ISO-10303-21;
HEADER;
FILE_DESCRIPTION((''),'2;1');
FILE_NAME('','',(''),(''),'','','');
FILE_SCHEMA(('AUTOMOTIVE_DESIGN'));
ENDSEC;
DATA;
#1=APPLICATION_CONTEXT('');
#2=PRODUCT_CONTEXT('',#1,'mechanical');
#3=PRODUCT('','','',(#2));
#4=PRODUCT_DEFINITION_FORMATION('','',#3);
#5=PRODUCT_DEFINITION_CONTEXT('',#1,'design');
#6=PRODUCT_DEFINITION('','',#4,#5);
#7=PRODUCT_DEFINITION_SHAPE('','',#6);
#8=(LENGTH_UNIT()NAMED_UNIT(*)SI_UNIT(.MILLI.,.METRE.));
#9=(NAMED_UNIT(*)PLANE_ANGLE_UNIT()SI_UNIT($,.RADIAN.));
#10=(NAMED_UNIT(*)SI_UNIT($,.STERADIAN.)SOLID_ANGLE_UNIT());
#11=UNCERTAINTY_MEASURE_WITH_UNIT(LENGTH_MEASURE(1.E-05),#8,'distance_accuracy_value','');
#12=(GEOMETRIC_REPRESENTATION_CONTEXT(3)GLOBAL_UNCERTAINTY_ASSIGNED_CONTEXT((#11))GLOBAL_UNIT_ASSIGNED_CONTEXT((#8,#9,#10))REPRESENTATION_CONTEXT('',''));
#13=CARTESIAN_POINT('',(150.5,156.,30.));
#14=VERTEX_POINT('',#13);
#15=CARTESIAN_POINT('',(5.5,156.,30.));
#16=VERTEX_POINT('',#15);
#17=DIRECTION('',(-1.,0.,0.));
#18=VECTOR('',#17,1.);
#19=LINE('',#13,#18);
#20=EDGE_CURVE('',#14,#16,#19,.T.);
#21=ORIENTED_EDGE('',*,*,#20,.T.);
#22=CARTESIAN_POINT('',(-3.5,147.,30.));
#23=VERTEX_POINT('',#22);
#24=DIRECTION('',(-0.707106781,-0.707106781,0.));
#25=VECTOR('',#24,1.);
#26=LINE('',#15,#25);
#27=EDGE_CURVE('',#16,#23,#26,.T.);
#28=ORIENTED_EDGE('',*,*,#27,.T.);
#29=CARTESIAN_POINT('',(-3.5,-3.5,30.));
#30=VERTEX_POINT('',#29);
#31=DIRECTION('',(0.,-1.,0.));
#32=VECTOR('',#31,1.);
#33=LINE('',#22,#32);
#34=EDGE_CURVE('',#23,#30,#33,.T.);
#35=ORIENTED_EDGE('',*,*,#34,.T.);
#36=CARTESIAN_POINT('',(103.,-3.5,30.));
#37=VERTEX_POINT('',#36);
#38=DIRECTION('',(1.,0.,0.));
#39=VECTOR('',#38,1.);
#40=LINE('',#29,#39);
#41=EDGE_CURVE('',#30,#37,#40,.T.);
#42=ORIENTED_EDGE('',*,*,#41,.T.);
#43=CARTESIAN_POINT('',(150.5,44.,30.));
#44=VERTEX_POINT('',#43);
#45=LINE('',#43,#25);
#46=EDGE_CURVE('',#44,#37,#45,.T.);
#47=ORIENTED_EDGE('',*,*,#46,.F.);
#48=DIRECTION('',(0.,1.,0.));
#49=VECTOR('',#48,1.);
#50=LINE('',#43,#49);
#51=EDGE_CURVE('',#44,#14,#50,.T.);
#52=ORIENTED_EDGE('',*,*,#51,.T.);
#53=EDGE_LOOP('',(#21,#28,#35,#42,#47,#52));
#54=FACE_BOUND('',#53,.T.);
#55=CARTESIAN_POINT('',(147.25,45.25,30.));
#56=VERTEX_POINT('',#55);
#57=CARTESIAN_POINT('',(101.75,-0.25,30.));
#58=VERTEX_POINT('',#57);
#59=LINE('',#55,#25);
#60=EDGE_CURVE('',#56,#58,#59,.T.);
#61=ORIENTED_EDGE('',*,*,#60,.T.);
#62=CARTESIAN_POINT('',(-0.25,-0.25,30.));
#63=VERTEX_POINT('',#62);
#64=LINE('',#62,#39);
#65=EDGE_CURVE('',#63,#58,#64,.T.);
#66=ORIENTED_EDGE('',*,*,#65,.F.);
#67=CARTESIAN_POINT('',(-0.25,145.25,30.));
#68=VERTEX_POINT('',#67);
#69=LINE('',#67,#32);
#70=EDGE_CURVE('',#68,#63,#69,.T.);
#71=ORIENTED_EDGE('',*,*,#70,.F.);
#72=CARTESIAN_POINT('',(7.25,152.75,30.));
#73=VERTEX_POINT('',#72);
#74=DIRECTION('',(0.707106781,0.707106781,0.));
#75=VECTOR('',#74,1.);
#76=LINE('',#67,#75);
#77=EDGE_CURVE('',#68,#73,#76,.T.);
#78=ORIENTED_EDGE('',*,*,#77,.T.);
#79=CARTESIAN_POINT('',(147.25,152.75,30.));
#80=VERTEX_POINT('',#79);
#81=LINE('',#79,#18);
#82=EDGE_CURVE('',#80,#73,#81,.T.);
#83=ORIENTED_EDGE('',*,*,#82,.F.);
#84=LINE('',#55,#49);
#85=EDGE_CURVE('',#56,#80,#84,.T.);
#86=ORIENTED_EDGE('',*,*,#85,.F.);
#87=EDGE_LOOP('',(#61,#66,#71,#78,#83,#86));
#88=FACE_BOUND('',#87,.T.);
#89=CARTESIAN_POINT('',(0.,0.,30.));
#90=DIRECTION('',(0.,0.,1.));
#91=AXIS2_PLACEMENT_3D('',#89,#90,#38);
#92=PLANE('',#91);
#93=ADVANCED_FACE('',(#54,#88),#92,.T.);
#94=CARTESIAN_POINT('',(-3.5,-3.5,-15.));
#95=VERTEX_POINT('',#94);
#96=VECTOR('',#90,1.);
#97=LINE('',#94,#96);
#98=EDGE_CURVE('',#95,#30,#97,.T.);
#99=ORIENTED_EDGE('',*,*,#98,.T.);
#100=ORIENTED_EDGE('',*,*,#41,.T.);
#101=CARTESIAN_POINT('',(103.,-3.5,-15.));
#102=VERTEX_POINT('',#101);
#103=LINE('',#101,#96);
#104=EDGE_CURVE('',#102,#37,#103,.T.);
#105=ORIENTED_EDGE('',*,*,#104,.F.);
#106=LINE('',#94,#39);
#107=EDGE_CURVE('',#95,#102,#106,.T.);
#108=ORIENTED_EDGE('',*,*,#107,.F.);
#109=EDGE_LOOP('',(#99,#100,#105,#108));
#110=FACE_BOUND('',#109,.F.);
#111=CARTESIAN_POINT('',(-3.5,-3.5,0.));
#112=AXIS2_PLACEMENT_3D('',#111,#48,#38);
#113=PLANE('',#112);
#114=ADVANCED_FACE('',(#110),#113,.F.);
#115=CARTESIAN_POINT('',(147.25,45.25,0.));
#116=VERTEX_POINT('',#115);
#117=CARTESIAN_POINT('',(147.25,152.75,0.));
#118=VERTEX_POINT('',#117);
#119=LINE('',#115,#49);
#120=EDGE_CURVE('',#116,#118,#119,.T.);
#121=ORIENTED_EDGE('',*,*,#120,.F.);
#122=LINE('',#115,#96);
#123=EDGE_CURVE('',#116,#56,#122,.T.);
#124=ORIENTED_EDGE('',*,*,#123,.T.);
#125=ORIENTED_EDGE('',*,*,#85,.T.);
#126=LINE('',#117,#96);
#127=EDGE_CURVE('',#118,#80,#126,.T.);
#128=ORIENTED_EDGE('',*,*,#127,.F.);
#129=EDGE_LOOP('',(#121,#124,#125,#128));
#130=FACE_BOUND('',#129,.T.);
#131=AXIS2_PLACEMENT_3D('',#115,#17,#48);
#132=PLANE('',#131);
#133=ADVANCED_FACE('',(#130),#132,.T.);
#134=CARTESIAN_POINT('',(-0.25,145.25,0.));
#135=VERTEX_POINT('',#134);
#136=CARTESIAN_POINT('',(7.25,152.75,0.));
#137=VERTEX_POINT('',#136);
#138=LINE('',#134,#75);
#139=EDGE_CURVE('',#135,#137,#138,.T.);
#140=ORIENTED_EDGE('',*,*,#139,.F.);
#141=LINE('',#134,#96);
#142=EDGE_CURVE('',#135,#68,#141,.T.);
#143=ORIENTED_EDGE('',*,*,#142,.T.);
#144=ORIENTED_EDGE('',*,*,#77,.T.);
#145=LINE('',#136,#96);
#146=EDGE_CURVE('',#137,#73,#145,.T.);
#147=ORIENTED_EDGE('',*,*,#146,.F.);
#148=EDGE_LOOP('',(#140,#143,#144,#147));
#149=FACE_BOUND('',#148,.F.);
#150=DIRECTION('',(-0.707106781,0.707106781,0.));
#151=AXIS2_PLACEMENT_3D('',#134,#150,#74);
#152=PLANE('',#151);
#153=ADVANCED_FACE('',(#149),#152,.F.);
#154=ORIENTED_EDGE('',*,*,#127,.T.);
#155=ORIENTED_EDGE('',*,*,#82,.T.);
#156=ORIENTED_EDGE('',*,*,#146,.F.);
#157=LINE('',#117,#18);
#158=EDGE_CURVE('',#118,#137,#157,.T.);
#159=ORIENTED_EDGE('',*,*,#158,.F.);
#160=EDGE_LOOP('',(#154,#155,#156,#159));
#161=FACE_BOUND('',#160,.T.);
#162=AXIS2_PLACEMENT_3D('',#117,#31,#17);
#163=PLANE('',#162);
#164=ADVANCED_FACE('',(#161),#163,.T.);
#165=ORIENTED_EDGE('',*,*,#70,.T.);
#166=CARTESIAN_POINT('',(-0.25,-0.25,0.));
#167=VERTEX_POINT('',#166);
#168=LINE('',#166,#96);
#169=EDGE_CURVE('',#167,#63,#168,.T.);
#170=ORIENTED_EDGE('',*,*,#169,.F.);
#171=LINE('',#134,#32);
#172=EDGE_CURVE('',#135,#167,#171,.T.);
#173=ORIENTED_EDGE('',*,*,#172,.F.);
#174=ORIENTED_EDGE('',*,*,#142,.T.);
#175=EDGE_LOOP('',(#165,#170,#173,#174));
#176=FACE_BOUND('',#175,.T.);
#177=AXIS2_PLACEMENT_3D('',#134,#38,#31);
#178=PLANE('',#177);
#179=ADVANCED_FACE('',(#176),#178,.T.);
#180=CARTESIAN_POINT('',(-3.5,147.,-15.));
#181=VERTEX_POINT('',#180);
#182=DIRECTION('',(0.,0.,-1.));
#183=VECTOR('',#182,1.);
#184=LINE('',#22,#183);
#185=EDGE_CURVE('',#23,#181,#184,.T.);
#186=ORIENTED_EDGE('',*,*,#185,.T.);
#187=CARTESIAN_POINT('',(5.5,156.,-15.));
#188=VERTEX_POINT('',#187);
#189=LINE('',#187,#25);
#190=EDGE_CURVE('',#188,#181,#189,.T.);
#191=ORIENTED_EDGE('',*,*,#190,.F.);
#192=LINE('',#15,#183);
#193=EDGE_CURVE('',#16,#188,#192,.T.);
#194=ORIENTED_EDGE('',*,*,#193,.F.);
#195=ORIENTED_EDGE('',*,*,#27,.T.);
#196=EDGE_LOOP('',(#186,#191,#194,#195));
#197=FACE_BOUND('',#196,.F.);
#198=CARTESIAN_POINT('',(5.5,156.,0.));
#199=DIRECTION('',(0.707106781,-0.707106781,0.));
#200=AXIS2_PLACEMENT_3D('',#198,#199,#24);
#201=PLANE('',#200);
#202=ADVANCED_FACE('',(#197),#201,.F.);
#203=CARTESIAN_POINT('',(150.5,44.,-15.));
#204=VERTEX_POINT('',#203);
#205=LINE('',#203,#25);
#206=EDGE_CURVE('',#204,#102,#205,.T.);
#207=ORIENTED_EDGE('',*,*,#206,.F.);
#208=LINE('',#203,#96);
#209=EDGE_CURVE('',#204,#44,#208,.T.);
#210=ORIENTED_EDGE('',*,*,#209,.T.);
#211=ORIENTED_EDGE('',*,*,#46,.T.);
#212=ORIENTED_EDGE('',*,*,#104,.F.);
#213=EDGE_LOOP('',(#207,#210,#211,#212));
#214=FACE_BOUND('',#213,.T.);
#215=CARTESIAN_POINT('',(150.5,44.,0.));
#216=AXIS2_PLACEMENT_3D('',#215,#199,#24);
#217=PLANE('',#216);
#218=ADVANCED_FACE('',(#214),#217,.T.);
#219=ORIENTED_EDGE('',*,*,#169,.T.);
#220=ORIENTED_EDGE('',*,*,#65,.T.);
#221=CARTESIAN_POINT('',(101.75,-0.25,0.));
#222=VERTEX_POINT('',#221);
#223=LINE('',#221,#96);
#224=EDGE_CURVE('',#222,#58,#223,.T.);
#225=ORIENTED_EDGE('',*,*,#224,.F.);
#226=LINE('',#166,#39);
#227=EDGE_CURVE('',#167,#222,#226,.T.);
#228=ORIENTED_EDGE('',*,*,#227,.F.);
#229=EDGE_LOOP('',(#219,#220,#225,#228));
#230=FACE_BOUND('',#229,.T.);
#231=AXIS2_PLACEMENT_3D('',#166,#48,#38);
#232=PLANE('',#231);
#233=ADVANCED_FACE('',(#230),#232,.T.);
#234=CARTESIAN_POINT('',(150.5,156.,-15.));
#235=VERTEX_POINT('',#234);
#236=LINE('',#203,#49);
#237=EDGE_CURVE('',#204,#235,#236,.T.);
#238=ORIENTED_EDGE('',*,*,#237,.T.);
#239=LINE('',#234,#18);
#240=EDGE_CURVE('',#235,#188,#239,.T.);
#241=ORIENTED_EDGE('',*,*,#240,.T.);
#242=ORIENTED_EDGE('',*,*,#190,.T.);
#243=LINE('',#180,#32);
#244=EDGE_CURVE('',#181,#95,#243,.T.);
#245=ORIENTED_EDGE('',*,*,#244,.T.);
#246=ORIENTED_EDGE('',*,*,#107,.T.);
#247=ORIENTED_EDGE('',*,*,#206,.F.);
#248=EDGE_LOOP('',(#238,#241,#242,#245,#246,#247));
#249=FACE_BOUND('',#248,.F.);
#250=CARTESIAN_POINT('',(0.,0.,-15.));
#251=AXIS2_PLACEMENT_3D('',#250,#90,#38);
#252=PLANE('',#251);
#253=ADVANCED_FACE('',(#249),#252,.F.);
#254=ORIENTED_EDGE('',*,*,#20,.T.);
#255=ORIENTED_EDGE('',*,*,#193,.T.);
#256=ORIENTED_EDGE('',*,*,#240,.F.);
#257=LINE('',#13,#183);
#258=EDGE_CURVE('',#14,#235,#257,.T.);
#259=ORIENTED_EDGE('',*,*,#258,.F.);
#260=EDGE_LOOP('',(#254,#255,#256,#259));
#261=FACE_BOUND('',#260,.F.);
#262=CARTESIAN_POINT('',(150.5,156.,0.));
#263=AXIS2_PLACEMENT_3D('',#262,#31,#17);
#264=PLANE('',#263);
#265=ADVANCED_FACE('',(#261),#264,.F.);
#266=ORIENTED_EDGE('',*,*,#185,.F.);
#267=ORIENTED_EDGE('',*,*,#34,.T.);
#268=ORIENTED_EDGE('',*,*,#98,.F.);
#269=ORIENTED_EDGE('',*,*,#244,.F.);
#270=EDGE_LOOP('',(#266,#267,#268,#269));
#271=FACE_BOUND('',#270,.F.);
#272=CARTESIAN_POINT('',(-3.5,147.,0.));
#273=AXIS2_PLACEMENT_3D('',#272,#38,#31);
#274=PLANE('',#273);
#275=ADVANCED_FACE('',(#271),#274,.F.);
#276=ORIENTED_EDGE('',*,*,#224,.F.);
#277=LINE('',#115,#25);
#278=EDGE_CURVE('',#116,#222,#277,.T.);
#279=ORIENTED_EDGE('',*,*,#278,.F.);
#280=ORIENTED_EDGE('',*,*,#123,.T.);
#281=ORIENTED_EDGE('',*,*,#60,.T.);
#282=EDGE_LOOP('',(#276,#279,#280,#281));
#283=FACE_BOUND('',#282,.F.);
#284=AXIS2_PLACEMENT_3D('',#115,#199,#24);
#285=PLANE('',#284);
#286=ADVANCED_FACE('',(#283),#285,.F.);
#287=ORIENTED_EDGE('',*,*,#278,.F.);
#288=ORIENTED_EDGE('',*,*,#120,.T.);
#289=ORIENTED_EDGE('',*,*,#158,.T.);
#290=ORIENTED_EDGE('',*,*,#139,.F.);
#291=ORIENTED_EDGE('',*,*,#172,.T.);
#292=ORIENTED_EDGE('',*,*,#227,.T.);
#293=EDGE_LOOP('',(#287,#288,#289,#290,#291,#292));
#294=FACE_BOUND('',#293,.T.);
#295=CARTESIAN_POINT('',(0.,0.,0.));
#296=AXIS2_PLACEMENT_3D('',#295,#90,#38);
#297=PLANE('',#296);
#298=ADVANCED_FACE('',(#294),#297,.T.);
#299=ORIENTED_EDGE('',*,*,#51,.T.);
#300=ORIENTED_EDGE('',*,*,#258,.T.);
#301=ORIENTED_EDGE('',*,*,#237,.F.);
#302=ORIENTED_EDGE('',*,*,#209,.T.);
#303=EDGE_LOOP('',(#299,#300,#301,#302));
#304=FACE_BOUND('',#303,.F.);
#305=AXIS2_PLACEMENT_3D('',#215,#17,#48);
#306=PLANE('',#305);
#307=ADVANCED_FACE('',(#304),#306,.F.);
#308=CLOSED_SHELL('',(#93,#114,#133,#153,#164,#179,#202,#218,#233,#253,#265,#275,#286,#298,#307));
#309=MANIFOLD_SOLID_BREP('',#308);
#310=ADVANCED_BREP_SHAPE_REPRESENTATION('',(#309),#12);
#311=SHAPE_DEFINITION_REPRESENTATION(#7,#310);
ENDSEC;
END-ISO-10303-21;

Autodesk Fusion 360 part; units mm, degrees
sketch "BoardOutline" plane through (0, 0, 0) normal (0, 0, 1) x (1, 0, 0)
  line L0 (0, 0) -> (101.5, 0)
  line L1 (147, 45.5) -> (147, 152.5)
  line L2 (147, 152.5) -> (7.5, 152.5)
  line L3 (0, 145) -> (0, 0)
  line L4 (7.5, 152.5) -> (0, 145)
  line L5 (147, 45.5) -> (101.5, 0)
  line L6 (7.5, 152.5) -> (7.5, 0) construction
  line L7 (147, 45.5) -> (0, 45.5) construction
  line L8 (101.5, 0) -> (101.5, 152.5) construction
  circle A0 centre (101.5, 45.5) radius 2
  line L9 (0, 145) -> (147, 145) construction
  circle A1 centre (7.5, 145) radius 2
  circle A2 centre (41.5, 145) radius 2
  circle A3 centre (134.5, 145) radius 2
  line L10 (134.5, 152.5) -> (134.5, 33) construction
  circle A4 centre (134.5, 90) radius 2
  circle A5 centre (134.5, 90) radius 2
  circle A6 centre (134.5, 90) radius 2
  circle A7 centre (41.5, 90) radius 2
  circle A8 centre (7.5, 133.5) radius 1.5
  circle A9 centre (7.5, 124.5) radius 1
  circle A10 centre (7.5, 87.5) radius 1
  circle A11 centre (26.5, 124.5) radius 1
  circle A12 centre (26.5, 87.5) radius 1
  circle A13 centre (7.5, 73.5) radius 2
  circle A14 centre (7.5, 7.5) radius 2
  circle A15 centre (131.0677, 63.4488) radius 6 construction
  line L11 (16.5, 0) -> (23.5, 0) construction
  line L12 (23.5, 0) -> (23.5, 13.6837) construction
  line L13 (23.5, 13.6837) -> (16.5, 13.6837) construction
  line L14 (16.5, 13.6837) -> (16.5, 0) construction
  line L15 (96, 0) -> (26, 0) construction
  line L16 (26, 0) -> (26, 82.5) construction
  line L17 (26, 82.5) -> (96, 82.5) construction
  line L18 (96, 82.5) -> (96, 0) construction
  line L19 (55.5, 0) -> (55.5, 10) construction
  line L20 (55.5, 10) -> (45.5, 10) construction
  line L21 (45.5, 10) -> (45.5, 0) construction
  line L22 (45.5, 0) -> (55.5, 0) construction
  line L23 (101.5, 45.5) -> (96, 45.5) construction
  line L24 (55.5, 0) -> (96, 0) construction
  line L25 (51, 130) -> (125, 130) construction
  line L26 (125, 130) -> (125, 105) construction
  line L27 (125, 105) -> (51, 105) construction
  line L28 (51, 105) -> (51, 130) construction
  point P0 (147, 0)
  point P1 (0, 152.5)
  point P2 (7.5, 145)
  point P3 (7.5, 73.5)
  dimension "d1" = 147
  dimension "d2" = 152.5
  dimension "d3" = 7.5
  dimension "d4" = 7.5
  dimension "d5" = 45.5
  dimension "d6" = 45.5
  dimension "d8" = 4
  dimension "d12" = 4
  dimension "d13" = 4
  dimension "d14" = 4
  dimension "d15" = 4
  dimension "d16" = 4
  dimension "d17" = 4
  dimension "d18" = 4
  dimension "d20" = 3
  dimension "d23" = 2
  dimension "d24" = 2
  dimension "d25" = 2
  dimension "d26" = 2
  dimension "d27" = 4
  dimension "d28" = 4
  dimension "d31" = 12
  dimension "d34" = 7
  dimension "d35" = 70
  dimension "d36" = 82.5
  dimension "d39" = 10
  dimension "d40" = 5.5
  dimension "d41" = 93
  dimension "d43" = 55
  dimension "d46" = 34
sketch "CasingOutline" plane through (0, 0, 0) normal (0, 0, 1) x (1, 0, 0)
  line L0 (-0.25, -0.25) -> (101.75, -0.25)
  line L1 (147.25, 45.25) -> (147.25, 152.75)
  line L2 (147.25, 152.75) -> (7.25, 152.75)
  line L3 (-0.25, 145.25) -> (-0.25, -0.25)
  line L4 (-3.5, -3.5) -> (103, -3.5)
  line L5 (150.5, 44) -> (150.5, 156)
  line L6 (150.5, 156) -> (5.5, 156)
  line L7 (-3.5, 147) -> (-3.5, -3.5)
  line L8 (147, 152.5) -> (7.5, 152.5)
  line L9 (147.25, 45.25) -> (101.75, -0.25)
  line L10 (-0.25, 145.25) -> (7.25, 152.75)
  line L11 (5.5, 156) -> (-3.5, 147)
  line L12 (150.5, 44) -> (103, -3.5)
  point P0 (147.25, -0.25)
  point P1 (-0.25, 152.75)
  point P2 (150.5, -3.5)
  point P3 (-3.5, 156)
  dimension "d50" = 147.5
  dimension "d51" = 153
  dimension "d52" = 3.25
  dimension "d53" = 3.25
  dimension "d55" = 3.25
  dimension "d56" = 3.25
  dimension "d57" = 45.5
  dimension "d58" = 45.5
  dimension "d59" = 7.5
  dimension "d60" = 7.5
  dimension "d61" = 9
  dimension "d62" = 9
  dimension "d63" = 47.5
  dimension "d64" = 47.5
extrude "Extrude1" add sketch "CasingOutline" against normal blind 15 contours L0 L1 L2 L3 L9 L10 | L4 L5 L6 L7 L11 L12
extrude "Extrude2" add sketch "CasingOutline" along normal blind 30
equation "d4 = d3"
equation "d6 = d5"
equation "d58 = d57"
equation "d60 = d59"
equation "d62 = d61"
equation "d64 = d63"
